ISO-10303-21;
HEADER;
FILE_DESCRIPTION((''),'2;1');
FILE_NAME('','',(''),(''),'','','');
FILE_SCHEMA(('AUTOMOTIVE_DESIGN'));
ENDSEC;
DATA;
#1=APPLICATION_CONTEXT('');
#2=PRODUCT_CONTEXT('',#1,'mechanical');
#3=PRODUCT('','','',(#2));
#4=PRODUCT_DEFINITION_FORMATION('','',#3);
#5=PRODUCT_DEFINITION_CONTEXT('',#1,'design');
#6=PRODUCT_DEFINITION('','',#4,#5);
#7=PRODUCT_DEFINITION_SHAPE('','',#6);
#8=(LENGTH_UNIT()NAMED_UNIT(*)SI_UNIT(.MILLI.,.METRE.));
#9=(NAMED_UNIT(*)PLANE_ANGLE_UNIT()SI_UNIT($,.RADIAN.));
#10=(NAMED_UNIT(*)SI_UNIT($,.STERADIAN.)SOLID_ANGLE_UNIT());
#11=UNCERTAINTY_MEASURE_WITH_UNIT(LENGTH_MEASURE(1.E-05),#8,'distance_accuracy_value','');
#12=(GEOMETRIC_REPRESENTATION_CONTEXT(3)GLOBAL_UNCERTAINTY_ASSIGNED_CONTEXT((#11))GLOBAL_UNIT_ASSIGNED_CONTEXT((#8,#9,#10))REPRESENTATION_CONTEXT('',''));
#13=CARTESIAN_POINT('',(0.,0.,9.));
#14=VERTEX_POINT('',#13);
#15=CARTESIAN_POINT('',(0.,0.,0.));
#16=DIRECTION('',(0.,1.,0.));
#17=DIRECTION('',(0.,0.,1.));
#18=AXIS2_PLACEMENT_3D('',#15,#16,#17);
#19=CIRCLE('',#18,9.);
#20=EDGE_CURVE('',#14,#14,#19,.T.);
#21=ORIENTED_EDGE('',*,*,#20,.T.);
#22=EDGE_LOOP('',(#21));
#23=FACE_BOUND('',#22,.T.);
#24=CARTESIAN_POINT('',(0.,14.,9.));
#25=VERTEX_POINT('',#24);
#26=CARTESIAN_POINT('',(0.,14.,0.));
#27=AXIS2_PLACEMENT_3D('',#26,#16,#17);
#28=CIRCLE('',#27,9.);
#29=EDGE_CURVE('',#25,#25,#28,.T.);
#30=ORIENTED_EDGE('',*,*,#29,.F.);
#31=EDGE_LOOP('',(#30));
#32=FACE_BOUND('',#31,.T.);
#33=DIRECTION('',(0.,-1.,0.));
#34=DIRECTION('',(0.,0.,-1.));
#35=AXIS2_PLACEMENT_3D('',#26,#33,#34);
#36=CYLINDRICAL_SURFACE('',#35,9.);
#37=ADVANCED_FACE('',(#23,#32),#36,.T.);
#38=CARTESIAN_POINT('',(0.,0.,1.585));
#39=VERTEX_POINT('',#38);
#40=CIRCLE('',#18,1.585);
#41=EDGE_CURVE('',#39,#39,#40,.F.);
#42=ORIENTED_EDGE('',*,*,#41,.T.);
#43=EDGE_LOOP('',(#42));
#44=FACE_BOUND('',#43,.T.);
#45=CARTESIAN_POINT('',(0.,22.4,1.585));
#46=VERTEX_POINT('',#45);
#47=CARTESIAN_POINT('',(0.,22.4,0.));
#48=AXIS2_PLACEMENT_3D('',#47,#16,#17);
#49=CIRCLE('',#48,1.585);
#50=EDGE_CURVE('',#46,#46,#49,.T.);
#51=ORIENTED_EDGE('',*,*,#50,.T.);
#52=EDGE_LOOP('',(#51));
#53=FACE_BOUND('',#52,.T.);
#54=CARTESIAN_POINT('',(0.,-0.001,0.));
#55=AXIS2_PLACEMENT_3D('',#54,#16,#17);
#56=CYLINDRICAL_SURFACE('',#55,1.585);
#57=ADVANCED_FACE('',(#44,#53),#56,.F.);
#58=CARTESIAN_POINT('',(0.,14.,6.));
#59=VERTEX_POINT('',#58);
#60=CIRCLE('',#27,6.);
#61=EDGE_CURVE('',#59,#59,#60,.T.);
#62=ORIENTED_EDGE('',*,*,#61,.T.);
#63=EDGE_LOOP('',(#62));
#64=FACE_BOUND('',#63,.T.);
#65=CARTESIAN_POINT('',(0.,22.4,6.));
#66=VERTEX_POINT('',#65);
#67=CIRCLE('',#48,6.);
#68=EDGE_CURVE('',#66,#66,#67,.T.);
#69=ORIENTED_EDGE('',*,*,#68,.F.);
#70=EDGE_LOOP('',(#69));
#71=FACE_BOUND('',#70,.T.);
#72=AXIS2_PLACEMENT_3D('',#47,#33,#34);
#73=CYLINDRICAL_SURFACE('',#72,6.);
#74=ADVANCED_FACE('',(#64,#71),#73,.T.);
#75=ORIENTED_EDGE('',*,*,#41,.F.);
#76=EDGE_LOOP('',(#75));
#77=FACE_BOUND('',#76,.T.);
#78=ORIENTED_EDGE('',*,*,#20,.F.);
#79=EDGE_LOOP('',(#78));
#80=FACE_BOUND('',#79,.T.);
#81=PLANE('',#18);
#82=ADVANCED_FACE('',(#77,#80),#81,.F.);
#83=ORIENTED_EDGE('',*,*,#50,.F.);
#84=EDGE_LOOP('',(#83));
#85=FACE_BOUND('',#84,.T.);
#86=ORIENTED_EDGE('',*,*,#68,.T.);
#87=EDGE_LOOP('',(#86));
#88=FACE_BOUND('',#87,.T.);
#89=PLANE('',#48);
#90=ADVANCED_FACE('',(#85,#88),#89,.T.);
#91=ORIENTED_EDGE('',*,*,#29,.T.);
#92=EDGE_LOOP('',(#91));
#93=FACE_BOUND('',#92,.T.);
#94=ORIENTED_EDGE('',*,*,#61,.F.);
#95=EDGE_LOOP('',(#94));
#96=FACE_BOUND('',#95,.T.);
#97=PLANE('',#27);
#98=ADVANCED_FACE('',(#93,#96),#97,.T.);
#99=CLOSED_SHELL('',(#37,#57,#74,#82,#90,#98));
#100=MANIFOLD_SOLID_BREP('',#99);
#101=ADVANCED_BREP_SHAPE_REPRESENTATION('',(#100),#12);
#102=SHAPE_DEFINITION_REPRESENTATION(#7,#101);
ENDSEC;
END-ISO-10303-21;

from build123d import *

# Parameters (mm, degrees)
SKETCH_1_R          = 9
EXTRUDE_1_DEPTH     = 14
SKETCH_2_R          = 6
EXTRUDE_2_DEPTH     = 8.4
CUT_EXTRUDE_1_REACH = 27.764
SKETCH_4_R          = 1.585


with BuildPart() as part:
    # 草图1 → 凸台-拉伸1 (new body)
    with BuildSketch(Plane(origin=(0, 0, 0), x_dir=(1, 0, 0), z_dir=(0, 1, 0))):
        with Locations(Location((0, 0, 0), (0, 0, 270))):
            Circle(SKETCH_1_R)
    extrude(amount=EXTRUDE_1_DEPTH)

    # 草图2 → 凸台-拉伸2 (add)
    with BuildSketch(Plane(origin=(0, 14, 0), x_dir=(1, 0, 0), z_dir=(0, 1, 0))):
        with Locations(Location((0, 0, 0), (0, 0, 270))):
            Circle(SKETCH_2_R)
    extrude(amount=EXTRUDE_2_DEPTH)

    # 草图4 → 切除-拉伸1 (cut, up to next)
    with BuildSketch(Plane(origin=(0, 22.4, 0), x_dir=(1, 0, 0), z_dir=(0, 1, 0)), mode=Mode.PRIVATE) as cut_extrude_1_sk1:
        with Locations(Location((0, 0, 0), (0, 0, 270))):
            Circle(SKETCH_4_R)
    cut_extrude_1_tool1 = extrude(cut_extrude_1_sk1.sketch, amount=-CUT_EXTRUDE_1_REACH, mode=Mode.PRIVATE) & part.part
    add(cut_extrude_1_tool1.solids().sort_by_distance((0, 22.4, 0))[0], mode=Mode.SUBTRACT)


solid = part.part
